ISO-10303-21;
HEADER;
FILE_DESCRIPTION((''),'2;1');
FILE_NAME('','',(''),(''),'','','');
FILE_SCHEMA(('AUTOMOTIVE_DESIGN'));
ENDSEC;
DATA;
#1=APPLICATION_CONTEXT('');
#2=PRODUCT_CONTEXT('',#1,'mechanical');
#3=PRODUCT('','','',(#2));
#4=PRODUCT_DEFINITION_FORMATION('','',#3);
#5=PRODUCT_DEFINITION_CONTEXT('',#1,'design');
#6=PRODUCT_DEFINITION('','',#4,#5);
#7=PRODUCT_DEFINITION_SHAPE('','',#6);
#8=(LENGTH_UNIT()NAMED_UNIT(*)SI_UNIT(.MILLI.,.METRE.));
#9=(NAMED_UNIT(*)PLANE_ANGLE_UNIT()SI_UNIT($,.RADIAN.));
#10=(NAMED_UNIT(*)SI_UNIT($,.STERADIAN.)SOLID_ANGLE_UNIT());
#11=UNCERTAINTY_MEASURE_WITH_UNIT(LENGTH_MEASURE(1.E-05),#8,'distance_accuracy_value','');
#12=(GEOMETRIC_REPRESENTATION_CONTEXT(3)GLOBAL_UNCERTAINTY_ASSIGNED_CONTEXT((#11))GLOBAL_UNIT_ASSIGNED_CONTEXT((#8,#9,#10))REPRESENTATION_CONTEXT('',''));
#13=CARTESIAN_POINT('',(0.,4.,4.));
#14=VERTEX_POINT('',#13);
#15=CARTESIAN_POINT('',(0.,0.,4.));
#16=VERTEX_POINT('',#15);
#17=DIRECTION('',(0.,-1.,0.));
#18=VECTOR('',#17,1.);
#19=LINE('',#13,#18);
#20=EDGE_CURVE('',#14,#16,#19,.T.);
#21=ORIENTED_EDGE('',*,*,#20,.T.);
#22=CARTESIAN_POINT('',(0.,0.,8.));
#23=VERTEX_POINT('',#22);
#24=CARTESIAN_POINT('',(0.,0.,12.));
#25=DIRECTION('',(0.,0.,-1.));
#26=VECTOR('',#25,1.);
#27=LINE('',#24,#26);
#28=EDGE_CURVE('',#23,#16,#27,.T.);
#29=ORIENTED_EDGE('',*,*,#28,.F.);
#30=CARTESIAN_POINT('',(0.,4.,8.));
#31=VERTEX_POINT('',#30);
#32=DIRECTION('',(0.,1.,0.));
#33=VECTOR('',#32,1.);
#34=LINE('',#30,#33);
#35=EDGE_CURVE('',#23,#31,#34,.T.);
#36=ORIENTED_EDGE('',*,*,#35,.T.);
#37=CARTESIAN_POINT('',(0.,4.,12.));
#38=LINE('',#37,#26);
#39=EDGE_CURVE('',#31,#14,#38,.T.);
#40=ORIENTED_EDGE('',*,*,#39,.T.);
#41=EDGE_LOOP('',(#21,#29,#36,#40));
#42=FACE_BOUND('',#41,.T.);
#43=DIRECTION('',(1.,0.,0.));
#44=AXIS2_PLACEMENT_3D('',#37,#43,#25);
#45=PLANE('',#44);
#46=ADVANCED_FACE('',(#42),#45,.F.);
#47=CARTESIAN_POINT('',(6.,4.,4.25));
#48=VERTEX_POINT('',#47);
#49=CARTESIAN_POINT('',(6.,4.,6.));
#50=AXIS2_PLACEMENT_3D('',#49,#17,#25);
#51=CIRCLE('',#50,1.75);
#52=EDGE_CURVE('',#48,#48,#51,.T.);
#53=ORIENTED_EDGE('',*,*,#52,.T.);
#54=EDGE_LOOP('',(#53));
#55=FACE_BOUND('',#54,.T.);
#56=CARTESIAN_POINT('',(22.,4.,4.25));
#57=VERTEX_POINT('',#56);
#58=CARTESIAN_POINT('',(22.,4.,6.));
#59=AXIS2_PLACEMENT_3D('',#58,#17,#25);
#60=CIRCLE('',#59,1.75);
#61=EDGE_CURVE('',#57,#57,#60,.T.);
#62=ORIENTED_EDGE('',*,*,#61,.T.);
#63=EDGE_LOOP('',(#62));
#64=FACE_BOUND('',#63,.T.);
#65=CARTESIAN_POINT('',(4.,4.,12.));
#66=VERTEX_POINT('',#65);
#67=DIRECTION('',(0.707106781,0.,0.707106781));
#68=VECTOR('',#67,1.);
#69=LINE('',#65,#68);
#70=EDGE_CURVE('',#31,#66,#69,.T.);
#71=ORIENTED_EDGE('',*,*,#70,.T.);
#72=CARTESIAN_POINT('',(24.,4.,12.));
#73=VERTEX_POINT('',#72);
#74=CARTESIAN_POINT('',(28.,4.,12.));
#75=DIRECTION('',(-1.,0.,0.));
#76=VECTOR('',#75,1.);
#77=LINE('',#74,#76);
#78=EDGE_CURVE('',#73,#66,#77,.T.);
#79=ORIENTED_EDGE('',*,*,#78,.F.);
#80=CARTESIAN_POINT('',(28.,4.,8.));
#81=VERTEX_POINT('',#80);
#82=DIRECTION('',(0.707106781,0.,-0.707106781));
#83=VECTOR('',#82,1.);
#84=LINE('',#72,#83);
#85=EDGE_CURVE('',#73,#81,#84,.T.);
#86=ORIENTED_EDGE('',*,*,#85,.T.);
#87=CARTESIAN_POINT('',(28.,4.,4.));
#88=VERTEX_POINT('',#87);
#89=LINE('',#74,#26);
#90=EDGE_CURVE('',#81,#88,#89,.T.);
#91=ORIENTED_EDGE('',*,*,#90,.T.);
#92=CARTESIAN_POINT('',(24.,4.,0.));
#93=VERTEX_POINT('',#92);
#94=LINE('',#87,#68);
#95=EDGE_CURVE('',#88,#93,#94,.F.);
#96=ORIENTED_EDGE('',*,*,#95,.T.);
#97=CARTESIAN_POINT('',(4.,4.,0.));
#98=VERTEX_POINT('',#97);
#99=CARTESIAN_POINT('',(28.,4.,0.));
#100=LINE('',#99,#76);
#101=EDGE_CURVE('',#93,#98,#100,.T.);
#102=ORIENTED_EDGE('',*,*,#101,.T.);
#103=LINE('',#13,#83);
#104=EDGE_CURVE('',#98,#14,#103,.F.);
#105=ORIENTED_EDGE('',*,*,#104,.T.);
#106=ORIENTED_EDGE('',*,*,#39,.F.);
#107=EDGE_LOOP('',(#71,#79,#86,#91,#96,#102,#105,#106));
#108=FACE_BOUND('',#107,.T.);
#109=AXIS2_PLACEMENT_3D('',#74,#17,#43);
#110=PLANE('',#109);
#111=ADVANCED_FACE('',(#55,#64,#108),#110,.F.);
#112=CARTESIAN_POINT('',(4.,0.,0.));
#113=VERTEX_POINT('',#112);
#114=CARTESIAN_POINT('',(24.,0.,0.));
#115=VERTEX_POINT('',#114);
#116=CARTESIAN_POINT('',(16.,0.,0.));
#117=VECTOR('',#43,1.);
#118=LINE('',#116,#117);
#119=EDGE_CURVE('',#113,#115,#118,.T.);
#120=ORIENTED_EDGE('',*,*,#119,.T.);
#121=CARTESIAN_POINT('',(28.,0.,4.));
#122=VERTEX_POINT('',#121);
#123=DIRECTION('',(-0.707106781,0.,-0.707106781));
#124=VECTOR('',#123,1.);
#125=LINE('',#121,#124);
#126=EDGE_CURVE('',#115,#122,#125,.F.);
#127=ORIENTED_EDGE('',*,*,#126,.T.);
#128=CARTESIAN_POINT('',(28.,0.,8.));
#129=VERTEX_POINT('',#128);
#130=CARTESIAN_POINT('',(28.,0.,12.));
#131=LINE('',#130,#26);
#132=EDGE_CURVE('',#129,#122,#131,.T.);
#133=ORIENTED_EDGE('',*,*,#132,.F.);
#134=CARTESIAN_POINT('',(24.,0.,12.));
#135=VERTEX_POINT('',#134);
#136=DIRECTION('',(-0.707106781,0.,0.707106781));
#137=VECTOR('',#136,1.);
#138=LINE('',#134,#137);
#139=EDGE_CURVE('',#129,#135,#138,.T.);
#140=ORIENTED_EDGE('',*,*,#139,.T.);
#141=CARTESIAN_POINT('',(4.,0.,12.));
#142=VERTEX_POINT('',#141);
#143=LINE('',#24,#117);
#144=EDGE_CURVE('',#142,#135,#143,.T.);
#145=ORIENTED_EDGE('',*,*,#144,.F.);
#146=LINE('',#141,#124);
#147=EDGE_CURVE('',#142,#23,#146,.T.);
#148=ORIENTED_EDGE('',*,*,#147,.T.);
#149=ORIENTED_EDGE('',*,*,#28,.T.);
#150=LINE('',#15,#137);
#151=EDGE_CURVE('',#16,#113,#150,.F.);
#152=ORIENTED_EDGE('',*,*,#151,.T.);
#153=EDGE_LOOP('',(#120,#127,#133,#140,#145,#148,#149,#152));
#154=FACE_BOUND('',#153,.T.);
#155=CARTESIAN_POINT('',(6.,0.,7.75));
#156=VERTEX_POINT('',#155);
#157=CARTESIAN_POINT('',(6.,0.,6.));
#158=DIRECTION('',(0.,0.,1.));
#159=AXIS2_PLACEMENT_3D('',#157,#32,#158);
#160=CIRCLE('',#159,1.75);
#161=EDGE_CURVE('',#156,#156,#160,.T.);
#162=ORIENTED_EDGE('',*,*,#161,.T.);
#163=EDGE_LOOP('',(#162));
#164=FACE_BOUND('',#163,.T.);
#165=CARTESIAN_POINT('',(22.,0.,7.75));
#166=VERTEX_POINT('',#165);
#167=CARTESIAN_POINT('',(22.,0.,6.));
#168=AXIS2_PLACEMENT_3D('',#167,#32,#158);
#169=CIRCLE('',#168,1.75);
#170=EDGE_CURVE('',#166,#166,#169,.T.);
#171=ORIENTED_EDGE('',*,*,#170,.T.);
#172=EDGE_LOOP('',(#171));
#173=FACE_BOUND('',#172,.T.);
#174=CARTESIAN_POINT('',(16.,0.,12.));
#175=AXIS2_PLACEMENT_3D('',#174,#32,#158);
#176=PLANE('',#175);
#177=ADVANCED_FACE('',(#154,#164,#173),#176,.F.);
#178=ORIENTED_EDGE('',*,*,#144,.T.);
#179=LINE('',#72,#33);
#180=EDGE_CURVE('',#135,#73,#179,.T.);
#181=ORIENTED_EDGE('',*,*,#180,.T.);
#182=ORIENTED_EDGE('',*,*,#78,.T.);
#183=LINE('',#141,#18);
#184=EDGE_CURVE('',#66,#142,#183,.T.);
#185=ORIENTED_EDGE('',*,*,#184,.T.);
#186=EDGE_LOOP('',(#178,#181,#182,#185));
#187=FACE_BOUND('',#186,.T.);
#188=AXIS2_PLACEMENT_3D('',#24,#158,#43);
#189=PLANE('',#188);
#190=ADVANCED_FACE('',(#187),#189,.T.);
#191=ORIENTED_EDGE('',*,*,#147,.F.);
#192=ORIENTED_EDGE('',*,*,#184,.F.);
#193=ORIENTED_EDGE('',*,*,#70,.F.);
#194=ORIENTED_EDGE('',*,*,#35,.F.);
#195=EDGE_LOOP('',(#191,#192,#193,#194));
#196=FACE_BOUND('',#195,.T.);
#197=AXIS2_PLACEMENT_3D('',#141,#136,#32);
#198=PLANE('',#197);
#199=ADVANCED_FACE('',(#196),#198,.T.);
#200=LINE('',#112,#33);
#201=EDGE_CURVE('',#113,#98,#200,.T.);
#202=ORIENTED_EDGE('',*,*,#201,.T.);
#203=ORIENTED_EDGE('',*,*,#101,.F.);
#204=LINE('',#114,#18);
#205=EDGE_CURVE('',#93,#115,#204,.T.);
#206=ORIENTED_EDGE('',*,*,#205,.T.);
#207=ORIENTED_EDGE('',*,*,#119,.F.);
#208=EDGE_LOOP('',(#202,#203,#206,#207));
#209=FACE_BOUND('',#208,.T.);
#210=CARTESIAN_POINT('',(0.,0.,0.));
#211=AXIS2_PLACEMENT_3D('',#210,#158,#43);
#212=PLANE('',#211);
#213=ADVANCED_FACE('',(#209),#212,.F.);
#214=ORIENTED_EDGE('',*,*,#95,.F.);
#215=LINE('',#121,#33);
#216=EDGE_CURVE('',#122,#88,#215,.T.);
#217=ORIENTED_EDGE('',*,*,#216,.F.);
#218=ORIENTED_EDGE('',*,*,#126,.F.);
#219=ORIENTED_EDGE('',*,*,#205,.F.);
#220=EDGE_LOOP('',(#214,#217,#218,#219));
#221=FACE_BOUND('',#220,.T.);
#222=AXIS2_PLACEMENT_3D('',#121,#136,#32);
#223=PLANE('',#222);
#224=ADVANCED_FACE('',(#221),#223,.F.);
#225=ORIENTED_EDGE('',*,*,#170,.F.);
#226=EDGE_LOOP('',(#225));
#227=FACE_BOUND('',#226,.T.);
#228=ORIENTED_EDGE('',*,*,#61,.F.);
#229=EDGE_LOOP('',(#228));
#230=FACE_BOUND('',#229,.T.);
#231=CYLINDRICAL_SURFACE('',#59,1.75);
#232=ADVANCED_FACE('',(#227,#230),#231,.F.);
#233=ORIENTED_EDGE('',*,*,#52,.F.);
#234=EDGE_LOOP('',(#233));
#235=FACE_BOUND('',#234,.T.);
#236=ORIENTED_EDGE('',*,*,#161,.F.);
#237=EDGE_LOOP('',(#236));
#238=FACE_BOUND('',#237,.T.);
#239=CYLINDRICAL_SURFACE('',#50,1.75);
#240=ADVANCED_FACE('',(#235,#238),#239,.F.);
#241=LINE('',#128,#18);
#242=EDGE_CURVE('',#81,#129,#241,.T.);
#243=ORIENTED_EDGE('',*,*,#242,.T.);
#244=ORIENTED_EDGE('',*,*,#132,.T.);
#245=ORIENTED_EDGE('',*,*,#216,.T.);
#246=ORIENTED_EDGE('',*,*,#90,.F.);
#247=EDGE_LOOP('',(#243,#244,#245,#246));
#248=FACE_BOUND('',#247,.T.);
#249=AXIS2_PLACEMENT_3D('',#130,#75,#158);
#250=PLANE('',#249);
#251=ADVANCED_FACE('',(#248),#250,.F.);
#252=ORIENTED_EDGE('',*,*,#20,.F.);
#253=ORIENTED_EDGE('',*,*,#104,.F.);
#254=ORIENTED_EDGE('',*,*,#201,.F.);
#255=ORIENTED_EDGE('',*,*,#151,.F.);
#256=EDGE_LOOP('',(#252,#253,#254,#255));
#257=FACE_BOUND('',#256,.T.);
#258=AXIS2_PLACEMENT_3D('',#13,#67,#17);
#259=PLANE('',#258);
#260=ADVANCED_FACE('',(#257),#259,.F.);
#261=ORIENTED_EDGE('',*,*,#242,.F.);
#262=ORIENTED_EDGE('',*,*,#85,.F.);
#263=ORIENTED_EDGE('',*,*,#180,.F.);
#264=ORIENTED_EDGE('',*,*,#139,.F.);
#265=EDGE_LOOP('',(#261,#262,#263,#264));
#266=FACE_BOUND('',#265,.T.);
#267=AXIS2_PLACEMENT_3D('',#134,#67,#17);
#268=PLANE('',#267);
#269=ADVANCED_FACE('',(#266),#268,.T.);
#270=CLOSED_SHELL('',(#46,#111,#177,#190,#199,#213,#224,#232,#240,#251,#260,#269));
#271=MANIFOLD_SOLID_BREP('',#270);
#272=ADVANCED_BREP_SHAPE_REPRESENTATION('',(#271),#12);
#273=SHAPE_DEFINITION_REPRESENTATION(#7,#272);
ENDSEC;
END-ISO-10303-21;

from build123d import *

# Parameters (mm, degrees)
BOSS_EXTRUDE1_DEPTH     = 12
SKETCH2_R               = 1.75
CUT_EXTRUDE1_DEPTH      = 1
CUT_EXTRUDE1_DEPTH_BACK = 5
CHAMFER1_SIZE           = 4


with BuildPart() as part:
    # Sketch1 → Boss-Extrude1 (new body)
    with BuildSketch(Plane.XY):
        Polygon((0, 0), (12, 0), (16, 0), (28, 0), (28, 4), (0, 4), align=None)
    extrude(amount=BOSS_EXTRUDE1_DEPTH)

    # Sketch2 → Cut-Extrude1 (cut, two sides)
    with BuildSketch(Plane(origin=(0, 0, 0), x_dir=(-1, 0, 0), z_dir=(0, -1, 0))) as cut_extrude1_sk:
        with Locations((-6, -6)):
            Circle(SKETCH2_R)
        with Locations((-22, -6)):
            Circle(SKETCH2_R)
    extrude(amount=CUT_EXTRUDE1_DEPTH, mode=Mode.SUBTRACT)
    extrude(cut_extrude1_sk.sketch, amount=-CUT_EXTRUDE1_DEPTH_BACK, mode=Mode.SUBTRACT)

    # Chamfer1
    chamfer1_edges = [part.edges().sort_by_distance(p)[0] for p in [
        (28, 2, 12),
        (0, 2, 12),
        (28, 2, 0),
        (0, 2, 0),
    ]]
    chamfer(chamfer1_edges, length=CHAMFER1_SIZE)


solid = part.part
